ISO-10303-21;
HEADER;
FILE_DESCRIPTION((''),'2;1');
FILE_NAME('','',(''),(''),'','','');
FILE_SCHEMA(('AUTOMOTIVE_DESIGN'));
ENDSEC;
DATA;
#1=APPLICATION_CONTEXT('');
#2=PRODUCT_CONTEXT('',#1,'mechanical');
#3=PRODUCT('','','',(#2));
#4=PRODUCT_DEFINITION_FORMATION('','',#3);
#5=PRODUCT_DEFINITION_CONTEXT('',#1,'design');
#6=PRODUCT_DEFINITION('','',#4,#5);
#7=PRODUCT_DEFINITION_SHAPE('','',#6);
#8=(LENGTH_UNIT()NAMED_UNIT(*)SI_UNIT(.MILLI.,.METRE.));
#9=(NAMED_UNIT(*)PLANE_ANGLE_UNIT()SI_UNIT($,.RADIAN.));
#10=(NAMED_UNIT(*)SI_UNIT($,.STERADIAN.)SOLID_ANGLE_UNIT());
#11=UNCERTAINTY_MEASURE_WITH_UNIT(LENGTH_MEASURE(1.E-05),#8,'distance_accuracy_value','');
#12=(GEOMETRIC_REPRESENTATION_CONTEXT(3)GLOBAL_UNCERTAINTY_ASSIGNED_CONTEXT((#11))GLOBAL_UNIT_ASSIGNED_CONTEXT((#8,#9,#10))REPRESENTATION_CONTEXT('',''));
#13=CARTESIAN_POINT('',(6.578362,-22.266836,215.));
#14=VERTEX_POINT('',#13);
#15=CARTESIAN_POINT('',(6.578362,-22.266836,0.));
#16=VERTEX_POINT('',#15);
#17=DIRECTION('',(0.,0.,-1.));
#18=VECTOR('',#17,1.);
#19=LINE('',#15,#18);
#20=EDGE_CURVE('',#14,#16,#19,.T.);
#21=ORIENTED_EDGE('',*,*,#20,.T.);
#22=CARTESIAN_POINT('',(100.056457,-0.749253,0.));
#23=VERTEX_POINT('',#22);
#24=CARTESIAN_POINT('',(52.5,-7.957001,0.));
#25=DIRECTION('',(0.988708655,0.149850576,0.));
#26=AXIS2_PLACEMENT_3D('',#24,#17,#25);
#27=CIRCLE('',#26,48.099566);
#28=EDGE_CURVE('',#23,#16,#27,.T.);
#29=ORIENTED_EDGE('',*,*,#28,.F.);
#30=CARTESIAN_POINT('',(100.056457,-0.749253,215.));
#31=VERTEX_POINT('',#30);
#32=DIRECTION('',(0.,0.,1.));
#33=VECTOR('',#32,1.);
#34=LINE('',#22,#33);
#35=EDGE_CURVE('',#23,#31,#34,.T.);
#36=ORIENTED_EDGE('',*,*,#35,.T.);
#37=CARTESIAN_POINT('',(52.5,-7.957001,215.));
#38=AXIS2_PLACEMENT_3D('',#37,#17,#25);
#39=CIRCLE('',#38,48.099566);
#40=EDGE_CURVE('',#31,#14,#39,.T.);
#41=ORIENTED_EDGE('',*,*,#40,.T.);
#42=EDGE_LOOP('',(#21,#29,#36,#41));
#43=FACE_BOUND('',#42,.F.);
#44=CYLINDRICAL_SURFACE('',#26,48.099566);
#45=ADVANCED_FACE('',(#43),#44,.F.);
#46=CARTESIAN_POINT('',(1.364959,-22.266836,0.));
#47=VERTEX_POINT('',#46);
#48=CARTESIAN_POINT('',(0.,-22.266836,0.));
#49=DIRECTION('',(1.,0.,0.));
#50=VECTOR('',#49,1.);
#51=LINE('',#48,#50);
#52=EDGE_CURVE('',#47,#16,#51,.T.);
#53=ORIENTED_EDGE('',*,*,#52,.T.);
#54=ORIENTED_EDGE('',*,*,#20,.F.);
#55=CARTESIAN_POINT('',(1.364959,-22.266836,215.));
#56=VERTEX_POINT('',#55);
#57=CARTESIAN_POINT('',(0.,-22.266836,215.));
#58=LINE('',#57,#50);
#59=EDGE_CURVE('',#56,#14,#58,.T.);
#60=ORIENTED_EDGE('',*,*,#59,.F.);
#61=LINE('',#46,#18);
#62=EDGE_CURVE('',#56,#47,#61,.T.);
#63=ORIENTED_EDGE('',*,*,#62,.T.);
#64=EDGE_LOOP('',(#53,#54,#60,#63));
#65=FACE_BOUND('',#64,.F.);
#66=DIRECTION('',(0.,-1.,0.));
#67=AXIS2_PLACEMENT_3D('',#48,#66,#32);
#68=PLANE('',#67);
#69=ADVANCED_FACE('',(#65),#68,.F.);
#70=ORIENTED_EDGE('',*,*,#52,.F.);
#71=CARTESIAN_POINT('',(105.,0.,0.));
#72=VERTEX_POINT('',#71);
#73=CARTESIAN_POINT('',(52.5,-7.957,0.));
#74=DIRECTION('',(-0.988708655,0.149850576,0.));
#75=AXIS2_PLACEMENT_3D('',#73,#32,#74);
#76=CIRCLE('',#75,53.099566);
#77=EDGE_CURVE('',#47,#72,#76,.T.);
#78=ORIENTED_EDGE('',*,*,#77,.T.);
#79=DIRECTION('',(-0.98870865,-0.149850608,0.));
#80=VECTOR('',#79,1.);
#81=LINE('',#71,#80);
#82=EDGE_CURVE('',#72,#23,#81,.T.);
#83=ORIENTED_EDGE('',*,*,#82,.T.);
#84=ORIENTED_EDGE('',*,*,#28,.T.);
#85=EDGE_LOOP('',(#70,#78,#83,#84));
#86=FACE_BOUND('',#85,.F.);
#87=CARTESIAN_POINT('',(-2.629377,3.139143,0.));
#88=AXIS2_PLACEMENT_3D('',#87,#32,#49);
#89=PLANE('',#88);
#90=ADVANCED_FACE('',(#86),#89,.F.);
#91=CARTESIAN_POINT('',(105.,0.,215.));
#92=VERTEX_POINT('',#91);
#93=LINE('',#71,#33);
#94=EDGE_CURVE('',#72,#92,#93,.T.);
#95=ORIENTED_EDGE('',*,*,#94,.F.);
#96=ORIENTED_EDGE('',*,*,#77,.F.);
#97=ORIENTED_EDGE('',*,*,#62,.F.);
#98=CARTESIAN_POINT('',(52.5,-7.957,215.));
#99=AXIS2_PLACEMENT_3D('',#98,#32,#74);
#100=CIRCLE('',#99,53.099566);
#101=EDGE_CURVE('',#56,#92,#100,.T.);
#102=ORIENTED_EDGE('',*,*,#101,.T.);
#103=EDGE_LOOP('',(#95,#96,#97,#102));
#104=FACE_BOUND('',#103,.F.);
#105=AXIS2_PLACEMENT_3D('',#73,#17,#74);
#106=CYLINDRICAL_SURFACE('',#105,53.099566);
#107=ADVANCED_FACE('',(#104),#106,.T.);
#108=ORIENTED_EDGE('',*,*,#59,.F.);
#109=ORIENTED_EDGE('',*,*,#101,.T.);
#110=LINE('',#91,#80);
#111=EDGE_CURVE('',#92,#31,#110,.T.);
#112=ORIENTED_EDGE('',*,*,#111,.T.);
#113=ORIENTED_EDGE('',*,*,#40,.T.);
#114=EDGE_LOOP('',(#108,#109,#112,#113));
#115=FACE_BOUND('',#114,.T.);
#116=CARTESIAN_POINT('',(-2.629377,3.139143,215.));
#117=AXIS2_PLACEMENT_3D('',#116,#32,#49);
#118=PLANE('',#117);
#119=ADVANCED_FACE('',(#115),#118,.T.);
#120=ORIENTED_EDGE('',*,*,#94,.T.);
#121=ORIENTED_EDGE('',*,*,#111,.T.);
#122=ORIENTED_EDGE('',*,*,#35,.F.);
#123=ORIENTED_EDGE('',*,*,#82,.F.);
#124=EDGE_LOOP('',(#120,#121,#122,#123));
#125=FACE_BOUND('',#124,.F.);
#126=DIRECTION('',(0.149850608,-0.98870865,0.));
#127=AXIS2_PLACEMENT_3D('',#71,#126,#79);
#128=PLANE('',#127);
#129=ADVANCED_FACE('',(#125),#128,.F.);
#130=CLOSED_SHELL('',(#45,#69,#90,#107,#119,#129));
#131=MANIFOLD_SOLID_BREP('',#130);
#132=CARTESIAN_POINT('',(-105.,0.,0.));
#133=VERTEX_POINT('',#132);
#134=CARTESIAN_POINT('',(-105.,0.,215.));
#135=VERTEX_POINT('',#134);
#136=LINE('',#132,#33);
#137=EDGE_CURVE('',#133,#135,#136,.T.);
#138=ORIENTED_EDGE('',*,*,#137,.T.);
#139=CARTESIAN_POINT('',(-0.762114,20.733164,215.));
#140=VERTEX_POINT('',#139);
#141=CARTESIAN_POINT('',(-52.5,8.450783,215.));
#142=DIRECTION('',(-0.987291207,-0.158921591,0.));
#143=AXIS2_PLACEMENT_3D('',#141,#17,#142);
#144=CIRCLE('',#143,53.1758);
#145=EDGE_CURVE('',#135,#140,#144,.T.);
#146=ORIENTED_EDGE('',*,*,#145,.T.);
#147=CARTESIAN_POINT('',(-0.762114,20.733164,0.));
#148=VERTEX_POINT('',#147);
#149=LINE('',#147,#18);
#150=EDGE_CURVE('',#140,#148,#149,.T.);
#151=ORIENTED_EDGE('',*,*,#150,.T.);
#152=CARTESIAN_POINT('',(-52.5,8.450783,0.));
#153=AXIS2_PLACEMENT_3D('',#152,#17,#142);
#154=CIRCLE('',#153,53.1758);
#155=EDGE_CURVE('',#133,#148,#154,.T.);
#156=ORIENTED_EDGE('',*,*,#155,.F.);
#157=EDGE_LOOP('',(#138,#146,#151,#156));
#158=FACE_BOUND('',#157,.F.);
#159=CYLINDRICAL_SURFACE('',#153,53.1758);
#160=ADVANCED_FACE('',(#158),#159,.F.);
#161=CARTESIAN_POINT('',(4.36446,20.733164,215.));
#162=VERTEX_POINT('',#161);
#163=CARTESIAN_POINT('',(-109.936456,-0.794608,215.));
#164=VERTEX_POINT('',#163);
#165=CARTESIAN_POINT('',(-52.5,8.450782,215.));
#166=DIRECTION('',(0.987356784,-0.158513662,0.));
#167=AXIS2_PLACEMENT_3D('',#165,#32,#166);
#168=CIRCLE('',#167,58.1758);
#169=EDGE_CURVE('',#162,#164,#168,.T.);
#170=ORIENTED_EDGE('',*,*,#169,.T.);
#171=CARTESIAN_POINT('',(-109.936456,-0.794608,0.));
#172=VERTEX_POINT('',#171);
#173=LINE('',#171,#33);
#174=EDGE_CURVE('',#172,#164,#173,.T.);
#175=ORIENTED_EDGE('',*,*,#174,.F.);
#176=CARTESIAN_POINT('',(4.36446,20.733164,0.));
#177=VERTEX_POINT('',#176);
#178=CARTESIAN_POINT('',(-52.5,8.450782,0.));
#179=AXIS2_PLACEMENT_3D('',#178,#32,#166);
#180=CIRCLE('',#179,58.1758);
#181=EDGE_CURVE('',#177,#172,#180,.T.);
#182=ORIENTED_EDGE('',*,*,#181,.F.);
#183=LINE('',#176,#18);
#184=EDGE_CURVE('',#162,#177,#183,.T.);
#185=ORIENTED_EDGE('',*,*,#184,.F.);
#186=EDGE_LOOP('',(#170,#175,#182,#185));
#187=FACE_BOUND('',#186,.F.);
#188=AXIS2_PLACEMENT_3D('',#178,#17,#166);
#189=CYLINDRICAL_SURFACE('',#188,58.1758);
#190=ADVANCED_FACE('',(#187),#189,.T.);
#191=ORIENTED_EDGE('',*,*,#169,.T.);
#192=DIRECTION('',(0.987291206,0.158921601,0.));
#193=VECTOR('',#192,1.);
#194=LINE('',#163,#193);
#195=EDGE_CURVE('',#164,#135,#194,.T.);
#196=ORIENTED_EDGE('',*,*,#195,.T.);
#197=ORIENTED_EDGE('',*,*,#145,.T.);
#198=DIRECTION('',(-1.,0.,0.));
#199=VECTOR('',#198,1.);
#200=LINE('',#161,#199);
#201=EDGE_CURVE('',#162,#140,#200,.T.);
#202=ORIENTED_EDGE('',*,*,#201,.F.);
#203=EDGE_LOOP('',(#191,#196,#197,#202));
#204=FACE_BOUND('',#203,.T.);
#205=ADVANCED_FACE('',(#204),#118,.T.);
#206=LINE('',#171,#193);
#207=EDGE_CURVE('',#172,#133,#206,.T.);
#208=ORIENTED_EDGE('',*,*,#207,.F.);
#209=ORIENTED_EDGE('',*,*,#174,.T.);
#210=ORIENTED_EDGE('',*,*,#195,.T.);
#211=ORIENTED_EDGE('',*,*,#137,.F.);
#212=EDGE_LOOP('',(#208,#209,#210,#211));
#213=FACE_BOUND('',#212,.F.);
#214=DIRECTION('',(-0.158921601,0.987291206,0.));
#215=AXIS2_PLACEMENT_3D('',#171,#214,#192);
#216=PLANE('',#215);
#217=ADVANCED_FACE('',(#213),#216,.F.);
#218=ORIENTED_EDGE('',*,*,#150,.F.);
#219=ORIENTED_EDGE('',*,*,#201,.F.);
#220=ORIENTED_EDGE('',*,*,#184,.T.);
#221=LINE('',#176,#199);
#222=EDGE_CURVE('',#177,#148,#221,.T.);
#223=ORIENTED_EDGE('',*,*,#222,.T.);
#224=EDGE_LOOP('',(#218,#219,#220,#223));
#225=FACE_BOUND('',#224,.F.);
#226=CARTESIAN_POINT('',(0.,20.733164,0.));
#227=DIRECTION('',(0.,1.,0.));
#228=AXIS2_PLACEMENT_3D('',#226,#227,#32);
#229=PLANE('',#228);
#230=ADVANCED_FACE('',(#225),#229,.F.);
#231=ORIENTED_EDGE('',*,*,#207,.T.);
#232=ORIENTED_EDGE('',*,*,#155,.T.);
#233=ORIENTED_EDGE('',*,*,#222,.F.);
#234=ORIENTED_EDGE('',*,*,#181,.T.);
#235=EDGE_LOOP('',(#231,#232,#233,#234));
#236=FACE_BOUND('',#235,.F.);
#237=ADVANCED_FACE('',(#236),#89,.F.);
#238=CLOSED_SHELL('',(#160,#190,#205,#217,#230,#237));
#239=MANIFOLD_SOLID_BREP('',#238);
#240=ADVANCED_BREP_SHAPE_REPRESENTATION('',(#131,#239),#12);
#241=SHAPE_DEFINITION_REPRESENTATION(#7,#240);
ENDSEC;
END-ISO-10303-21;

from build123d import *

# Parameters (mm, degrees)
F1_DEPTH      = 215
F2_W          = 43
F2_H          = 215
F3_DEPTH      = 7
F3_DEPTH_BACK = 7


with BuildPart() as f1:
    # F0 (on Top) → F1 (new body)
    with BuildSketch(Plane.XY):
        with BuildLine():
            ThreePointArc((-105, 0), (-52.5, 61.626583), (0, 0))
            ThreePointArc((0, 0), (52.5, -61.056566), (105, 0))
            Line((105, 0), (100.056457, -0.749253))
            ThreePointArc((100.056457, -0.749253), (52.510935, -56.056565), (4.940271, -0.770877))
            ThreePointArc((4.940271, -0.770877), (-52.512018, 66.626581), (-109.936456, -0.794608))
            Line((-109.936456, -0.794608), (-105, 0))
        make_face()
    extrude(amount=F1_DEPTH)

    # F2 (on Right) → F3 (cut, two sides)
    with BuildSketch(Plane.YZ) as f3_sk:
        with Locations((-0.766836, 107.5)):
            Rectangle(F2_W, F2_H)
    extrude(amount=F3_DEPTH, mode=Mode.SUBTRACT)
    extrude(f3_sk.sketch, amount=-F3_DEPTH_BACK, mode=Mode.SUBTRACT)


solid = f1.part
